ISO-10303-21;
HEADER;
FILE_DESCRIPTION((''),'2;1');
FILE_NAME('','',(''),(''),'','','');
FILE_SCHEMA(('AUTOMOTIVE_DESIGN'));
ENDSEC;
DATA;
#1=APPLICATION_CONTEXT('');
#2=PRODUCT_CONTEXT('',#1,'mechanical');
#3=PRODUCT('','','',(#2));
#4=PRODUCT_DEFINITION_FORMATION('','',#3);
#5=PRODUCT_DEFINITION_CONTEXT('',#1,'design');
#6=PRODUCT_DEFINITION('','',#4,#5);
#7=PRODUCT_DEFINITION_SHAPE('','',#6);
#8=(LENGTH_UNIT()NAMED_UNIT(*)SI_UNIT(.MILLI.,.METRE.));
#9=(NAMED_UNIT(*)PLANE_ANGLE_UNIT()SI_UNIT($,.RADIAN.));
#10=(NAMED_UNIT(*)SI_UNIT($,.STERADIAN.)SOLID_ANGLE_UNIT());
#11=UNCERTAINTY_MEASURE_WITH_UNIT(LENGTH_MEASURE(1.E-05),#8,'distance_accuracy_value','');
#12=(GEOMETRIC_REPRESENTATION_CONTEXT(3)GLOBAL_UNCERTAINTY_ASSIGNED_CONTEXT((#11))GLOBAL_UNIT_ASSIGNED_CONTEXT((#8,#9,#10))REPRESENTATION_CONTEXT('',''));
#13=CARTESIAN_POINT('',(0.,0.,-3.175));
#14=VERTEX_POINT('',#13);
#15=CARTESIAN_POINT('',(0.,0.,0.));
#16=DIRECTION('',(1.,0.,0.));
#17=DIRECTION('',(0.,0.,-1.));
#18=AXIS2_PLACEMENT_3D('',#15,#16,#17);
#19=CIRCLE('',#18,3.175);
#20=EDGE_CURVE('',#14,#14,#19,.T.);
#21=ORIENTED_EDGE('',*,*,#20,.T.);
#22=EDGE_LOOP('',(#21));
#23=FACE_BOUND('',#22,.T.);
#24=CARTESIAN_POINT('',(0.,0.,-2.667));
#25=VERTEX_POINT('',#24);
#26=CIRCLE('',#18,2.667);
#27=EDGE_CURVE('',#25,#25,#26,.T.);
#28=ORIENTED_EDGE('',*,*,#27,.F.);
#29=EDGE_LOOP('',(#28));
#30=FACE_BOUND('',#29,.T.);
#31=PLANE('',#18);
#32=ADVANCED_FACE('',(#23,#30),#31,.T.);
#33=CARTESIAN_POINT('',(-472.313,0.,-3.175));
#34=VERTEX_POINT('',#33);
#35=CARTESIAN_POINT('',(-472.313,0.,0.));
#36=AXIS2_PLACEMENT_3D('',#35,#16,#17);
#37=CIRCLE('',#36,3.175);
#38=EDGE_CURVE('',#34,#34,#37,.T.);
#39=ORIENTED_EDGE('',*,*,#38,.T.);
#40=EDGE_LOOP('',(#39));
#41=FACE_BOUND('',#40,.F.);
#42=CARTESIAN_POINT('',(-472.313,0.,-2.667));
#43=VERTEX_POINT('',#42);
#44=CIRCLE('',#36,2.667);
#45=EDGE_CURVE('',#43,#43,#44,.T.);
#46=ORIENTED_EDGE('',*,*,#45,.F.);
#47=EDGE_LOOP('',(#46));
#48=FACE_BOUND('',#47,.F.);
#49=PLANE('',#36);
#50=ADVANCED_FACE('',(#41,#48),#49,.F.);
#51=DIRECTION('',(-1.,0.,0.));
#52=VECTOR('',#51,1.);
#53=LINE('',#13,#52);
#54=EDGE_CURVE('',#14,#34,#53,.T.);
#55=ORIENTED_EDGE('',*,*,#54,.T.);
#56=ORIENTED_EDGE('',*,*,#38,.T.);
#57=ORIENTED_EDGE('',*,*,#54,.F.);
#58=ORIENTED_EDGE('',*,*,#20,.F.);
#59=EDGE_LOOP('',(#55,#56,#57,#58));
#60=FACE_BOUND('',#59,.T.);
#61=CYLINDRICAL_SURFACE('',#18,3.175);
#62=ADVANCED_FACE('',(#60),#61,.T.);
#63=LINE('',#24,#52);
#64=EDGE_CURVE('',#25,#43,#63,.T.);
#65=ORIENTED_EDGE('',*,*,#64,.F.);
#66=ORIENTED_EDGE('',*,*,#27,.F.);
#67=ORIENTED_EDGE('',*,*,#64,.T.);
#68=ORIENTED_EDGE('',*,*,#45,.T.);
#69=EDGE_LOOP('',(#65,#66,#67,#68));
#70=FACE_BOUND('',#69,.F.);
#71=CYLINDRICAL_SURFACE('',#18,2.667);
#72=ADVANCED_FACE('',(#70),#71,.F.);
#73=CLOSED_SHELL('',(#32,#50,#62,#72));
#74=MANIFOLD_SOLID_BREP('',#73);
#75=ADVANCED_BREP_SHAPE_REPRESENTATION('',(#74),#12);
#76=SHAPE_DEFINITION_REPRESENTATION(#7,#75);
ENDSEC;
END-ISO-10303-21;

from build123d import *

# Parameters (mm, degrees)
SKETCH1_R           = 3.175
SKETCH1_R_2         = 2.667
BOSS_EXTRUDE1_DEPTH = 472.313


with BuildPart() as part:
    # Sketch1 → Boss-Extrude1 (new body)
    with BuildSketch(Plane(origin=(0, 0, 0), x_dir=(0, 0, -1), z_dir=(1, 0, 0))):
        Circle(SKETCH1_R)
        Circle(SKETCH1_R_2, mode=Mode.SUBTRACT)
    extrude(amount=-BOSS_EXTRUDE1_DEPTH)


solid = part.part
